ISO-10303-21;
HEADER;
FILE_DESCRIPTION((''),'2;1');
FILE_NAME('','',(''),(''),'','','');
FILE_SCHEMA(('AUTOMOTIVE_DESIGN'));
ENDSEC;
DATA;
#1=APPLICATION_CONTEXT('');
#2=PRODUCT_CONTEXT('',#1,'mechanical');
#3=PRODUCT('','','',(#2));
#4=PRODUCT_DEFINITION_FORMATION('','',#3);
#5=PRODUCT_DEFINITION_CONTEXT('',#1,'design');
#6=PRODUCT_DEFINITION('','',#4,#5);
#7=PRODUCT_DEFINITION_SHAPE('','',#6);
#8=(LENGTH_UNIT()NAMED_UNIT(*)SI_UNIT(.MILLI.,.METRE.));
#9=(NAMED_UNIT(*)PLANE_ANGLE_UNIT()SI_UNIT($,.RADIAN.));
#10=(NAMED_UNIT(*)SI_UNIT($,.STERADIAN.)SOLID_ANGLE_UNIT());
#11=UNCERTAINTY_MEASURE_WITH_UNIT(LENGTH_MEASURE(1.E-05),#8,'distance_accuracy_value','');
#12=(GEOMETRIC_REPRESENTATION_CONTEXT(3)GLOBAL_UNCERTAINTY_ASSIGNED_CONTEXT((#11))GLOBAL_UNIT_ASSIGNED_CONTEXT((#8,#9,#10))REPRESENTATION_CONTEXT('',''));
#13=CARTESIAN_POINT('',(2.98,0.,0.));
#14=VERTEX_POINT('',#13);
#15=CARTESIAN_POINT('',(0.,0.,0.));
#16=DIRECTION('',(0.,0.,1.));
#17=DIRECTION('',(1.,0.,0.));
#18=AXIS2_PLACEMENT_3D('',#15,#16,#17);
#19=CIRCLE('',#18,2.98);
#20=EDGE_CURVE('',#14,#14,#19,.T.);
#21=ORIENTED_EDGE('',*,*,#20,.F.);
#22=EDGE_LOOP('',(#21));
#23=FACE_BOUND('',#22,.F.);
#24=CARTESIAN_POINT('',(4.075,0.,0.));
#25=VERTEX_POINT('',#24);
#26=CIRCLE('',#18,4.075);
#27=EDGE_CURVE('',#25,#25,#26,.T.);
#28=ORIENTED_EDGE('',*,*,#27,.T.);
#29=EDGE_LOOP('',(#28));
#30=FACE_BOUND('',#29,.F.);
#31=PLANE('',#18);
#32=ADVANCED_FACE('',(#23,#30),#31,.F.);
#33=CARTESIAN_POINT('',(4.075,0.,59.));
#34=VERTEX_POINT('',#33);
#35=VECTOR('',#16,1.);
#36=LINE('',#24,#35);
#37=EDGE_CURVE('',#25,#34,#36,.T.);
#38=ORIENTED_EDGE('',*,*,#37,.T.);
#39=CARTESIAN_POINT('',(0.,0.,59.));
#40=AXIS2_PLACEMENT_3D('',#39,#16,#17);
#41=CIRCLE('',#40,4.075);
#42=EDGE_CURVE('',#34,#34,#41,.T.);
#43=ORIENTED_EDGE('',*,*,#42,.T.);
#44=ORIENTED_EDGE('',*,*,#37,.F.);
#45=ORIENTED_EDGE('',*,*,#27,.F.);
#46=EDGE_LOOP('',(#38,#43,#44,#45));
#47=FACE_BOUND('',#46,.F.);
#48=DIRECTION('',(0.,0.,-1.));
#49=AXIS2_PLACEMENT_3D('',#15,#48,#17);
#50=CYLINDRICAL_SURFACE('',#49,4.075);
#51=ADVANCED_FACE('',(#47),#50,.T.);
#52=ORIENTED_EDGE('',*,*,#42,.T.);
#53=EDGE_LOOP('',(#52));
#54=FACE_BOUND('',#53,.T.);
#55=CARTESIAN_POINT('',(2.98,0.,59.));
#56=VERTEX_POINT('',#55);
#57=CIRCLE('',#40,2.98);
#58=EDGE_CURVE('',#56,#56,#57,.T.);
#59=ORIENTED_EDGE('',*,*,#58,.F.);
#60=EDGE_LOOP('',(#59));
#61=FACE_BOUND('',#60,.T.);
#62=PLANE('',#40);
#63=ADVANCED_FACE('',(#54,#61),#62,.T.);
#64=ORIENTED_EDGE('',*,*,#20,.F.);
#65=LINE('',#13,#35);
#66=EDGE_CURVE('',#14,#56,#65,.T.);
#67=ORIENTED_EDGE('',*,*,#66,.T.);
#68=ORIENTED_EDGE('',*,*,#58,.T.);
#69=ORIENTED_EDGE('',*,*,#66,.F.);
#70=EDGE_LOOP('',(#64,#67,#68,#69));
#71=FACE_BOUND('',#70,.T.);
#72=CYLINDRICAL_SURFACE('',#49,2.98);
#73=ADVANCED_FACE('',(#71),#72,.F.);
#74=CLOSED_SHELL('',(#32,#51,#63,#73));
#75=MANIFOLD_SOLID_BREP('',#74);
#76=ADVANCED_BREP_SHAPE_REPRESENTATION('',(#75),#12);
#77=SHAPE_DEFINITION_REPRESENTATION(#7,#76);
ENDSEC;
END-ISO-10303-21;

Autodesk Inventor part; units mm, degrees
ref_plane "YZ Plane" through (0, 0, 0) normal (1, 0, 0) x (0, 1, 0)
ref_plane "XZ Plane" through (0, 0, 0) normal (0, 1, 0) x (-1, 0, 0)
ref_plane "XY Plane" through (0, 0, 0) normal (0, 0, 1) x (1, 0, 0)
sketch "Sketch1" plane through (0, 0, 0) normal (0, 0, 1) x (1, 0, 0)
  circle A0 centre (0, 0) radius 4.075
  circle A1 centre (0, 0) radius 2.98
  dimension "d0" = 8.15
  dimension "d1" = 5.96
extrude "Extrusion1" add sketch "Sketch1" along normal blind 59
properties part number "spacer_output_roller"
